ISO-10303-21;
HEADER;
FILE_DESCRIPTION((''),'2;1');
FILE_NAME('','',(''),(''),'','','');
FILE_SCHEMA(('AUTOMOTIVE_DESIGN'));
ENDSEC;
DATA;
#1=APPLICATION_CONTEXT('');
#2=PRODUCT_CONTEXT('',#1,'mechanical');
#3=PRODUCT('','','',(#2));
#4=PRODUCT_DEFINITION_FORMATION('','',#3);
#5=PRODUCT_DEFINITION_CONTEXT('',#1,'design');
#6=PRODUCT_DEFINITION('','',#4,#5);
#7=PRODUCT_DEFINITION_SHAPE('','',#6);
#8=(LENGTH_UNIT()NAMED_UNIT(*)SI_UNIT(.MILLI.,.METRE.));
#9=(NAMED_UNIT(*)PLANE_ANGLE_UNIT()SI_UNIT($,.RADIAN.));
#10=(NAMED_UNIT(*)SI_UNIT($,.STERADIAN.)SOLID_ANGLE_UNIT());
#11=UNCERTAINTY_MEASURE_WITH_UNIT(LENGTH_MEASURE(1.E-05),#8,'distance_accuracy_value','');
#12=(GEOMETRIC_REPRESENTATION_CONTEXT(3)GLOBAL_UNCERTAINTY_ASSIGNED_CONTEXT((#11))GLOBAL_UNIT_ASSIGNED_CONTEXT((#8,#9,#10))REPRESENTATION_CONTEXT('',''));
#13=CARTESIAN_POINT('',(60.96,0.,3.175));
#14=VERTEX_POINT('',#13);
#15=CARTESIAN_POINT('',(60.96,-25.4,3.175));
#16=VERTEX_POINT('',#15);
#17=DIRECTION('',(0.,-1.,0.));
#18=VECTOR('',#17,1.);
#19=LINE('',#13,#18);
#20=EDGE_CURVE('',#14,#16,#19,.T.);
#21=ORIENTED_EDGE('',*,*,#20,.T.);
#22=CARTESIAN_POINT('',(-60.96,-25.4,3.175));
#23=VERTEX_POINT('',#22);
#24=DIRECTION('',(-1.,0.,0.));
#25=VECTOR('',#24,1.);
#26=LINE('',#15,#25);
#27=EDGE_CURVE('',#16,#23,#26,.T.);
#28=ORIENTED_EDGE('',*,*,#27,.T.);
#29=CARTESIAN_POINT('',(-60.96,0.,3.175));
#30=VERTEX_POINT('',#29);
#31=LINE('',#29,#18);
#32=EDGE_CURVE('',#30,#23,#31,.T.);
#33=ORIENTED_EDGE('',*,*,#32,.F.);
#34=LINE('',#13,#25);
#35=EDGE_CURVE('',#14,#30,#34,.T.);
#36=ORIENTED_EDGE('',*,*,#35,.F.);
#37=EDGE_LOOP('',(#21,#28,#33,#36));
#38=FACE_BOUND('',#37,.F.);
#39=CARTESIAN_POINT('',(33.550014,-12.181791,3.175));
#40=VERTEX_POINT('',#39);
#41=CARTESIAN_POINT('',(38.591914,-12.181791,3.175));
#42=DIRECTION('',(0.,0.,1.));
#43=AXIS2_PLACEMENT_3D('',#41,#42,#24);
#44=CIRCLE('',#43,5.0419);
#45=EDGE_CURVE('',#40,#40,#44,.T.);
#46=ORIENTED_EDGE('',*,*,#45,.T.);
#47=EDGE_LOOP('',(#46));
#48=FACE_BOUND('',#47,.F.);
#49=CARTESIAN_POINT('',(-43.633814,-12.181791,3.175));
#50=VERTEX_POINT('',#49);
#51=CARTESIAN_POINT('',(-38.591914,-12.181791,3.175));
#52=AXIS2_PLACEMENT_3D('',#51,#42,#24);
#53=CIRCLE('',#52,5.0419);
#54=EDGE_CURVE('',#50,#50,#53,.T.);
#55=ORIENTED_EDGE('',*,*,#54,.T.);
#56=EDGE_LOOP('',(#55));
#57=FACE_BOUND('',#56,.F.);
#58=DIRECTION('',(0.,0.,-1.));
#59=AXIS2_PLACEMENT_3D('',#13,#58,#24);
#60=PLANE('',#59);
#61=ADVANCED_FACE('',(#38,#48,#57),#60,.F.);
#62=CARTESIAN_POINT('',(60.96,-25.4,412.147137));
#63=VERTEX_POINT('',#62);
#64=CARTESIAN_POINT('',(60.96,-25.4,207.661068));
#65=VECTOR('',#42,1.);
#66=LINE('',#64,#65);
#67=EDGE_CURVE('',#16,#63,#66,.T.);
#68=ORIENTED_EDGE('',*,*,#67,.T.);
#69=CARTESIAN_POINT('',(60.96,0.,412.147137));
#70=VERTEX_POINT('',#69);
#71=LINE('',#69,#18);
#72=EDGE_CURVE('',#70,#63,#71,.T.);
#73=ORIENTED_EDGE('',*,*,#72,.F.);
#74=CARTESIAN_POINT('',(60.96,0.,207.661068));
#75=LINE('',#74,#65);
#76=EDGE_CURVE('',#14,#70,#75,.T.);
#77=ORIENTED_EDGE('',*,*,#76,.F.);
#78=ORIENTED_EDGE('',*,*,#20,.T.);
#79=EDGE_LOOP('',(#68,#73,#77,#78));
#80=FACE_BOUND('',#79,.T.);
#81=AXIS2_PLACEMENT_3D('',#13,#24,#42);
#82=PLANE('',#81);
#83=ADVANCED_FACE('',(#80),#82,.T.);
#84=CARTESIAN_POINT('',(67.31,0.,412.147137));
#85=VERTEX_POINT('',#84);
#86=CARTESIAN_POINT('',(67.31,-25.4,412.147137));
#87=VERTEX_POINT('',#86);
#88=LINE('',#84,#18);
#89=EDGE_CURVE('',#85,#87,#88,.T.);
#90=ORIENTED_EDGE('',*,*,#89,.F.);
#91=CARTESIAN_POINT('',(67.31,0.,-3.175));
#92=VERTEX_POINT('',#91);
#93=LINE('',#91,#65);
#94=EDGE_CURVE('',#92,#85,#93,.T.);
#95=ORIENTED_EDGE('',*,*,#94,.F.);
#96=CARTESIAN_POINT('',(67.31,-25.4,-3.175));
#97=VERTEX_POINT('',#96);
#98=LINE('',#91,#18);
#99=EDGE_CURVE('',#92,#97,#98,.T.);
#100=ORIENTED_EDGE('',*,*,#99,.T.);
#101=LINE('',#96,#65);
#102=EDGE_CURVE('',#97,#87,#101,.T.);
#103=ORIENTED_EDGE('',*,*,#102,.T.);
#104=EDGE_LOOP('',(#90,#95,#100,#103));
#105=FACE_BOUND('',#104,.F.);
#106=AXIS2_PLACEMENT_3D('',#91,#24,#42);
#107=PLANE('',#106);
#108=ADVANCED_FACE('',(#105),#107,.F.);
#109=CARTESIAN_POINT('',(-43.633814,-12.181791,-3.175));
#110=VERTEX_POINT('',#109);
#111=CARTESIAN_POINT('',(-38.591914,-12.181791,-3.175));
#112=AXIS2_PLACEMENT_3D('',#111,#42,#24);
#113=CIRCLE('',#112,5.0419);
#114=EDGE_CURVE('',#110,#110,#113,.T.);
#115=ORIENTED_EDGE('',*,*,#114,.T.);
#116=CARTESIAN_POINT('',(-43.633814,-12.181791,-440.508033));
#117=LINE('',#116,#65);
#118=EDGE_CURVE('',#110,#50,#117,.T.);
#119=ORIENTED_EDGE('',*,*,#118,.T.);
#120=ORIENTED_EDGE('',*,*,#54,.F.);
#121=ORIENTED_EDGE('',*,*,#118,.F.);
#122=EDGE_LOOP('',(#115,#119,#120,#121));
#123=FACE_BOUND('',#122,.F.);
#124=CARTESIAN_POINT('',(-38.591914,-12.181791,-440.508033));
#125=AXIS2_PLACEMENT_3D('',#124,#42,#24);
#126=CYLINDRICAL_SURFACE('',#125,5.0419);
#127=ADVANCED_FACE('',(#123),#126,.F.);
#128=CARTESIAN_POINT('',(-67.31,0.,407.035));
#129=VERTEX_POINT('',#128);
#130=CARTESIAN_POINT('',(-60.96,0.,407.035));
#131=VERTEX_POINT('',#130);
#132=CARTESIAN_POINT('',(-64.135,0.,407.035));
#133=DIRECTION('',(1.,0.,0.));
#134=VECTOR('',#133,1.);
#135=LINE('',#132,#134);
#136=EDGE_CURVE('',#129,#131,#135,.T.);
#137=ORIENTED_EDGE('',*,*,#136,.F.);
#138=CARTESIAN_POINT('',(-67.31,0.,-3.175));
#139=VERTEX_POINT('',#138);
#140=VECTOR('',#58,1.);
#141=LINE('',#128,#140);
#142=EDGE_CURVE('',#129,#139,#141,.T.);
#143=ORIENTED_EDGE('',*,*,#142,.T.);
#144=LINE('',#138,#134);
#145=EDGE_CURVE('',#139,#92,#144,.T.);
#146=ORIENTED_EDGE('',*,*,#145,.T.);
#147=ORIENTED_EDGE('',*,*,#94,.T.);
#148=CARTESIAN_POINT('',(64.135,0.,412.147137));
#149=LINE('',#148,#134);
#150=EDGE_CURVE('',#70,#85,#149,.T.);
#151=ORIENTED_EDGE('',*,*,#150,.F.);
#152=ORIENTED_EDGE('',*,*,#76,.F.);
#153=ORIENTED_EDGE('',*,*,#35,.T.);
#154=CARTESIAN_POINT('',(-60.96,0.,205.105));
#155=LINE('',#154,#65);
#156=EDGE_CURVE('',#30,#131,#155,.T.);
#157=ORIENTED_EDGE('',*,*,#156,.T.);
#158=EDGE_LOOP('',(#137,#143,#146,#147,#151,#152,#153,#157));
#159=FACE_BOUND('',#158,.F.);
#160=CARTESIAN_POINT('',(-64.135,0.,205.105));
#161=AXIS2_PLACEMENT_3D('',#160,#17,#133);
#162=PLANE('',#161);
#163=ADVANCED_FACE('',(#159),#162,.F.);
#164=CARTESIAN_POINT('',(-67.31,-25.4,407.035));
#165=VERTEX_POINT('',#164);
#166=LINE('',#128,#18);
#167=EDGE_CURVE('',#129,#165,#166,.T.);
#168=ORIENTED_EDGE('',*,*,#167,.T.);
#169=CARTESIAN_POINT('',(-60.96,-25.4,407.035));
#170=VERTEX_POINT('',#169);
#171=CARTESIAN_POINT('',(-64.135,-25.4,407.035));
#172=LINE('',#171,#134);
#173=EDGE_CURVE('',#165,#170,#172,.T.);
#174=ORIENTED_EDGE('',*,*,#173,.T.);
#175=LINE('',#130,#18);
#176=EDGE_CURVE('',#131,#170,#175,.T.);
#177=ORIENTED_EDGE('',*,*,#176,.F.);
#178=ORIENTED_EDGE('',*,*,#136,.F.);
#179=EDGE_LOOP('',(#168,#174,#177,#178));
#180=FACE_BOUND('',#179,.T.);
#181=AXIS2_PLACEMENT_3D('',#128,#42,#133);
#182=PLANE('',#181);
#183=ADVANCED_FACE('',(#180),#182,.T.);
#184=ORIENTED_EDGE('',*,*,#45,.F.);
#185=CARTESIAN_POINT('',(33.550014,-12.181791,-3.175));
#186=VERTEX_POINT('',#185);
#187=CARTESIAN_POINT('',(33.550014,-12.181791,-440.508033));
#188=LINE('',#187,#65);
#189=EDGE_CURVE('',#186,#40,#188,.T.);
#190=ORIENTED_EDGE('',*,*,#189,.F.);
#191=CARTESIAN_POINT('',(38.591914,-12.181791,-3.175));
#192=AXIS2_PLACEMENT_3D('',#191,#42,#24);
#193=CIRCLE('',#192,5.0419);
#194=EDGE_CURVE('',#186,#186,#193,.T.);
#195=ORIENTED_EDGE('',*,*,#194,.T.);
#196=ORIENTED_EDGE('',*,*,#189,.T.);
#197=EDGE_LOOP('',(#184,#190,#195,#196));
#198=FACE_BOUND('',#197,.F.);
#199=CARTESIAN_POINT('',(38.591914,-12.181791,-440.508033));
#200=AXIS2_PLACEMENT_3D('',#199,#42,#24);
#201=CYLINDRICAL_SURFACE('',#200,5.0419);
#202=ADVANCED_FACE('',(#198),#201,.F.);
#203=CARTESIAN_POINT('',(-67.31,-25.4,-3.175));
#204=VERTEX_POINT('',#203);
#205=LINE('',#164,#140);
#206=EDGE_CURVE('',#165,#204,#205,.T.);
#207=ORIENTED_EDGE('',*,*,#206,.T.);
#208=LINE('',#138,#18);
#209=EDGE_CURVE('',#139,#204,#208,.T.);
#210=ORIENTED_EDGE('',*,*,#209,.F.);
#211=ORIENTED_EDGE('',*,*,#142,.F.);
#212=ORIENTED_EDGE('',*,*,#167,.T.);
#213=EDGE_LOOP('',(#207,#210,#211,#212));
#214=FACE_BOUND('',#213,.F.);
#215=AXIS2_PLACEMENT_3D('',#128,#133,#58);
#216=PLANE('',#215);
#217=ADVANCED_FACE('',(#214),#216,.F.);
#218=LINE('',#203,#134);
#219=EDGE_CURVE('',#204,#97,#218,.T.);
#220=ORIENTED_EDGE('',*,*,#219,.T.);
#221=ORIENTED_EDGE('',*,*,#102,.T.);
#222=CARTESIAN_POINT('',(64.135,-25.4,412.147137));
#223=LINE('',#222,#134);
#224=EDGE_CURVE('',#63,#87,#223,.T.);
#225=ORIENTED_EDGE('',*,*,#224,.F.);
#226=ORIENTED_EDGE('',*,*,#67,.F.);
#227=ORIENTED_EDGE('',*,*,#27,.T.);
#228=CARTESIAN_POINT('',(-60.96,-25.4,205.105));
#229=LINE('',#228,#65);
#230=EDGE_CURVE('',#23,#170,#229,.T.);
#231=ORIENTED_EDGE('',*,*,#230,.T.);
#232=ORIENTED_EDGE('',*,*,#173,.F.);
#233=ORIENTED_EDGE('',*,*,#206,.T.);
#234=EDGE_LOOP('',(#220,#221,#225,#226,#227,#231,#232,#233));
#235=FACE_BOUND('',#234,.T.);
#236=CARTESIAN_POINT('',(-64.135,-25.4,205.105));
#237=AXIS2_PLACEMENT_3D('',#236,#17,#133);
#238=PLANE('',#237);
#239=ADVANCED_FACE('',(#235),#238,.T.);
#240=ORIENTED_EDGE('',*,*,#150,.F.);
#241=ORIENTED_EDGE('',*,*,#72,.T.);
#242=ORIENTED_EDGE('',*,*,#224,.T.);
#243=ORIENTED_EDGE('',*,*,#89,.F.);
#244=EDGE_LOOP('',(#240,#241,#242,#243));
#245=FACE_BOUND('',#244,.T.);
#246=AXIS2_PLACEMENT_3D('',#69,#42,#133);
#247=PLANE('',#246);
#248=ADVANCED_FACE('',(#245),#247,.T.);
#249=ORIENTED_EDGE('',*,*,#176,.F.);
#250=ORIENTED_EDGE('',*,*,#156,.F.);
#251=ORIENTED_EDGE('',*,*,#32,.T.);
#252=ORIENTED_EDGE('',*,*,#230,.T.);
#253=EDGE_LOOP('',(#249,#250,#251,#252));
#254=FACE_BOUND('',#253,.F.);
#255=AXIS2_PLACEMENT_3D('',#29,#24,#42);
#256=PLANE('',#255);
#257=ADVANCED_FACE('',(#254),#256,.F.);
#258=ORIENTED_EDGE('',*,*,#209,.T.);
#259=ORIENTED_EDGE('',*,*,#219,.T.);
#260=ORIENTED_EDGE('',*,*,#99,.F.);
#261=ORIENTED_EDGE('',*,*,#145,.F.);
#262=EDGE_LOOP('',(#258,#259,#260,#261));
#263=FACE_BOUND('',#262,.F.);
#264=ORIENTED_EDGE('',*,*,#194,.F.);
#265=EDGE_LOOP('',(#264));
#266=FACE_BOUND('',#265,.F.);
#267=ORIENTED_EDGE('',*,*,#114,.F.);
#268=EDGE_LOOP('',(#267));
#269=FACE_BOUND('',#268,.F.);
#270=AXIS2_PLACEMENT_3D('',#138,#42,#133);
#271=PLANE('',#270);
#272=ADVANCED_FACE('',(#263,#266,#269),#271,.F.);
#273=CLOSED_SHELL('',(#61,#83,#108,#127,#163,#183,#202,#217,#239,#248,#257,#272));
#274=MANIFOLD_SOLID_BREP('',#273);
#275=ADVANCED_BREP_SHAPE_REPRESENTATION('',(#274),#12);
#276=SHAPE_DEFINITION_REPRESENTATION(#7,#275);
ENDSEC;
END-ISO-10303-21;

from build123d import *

# Parameters (mm, degrees)
F0_W     = 6.35
F0_H     = 403.86
F0_H_2   = 408.9721369725
F1_DEPTH = 25.4
F3_D     = 10.0838


with BuildPart() as f1:
    # F0 (on Front) → F1 (new body)
    with BuildSketch(Plane.XZ):
        with Locations((-64.135, 205.105)):
            Rectangle(F0_W, F0_H)
        with Locations((64.135, 207.6610684863)):
            Rectangle(F0_W, F0_H_2)
        Polygon((-67.31, -3.175), (67.31, -3.175), (67.31, 3.175), (60.96, 3.175), (-60.96, 3.175), (-67.31, 3.175), align=None)
    extrude(amount=F1_DEPTH)

    # F3 (through all)
    with Locations(Plane(origin=(0, 0, -3.175), x_dir=(1, 0, 0), z_dir=(0, 0, -1))):
        with Locations((-38.5919138789, 12.1817905456), (38.5919138789, 12.1817905456)):
            Hole(F3_D / 2)


solid = f1.part
